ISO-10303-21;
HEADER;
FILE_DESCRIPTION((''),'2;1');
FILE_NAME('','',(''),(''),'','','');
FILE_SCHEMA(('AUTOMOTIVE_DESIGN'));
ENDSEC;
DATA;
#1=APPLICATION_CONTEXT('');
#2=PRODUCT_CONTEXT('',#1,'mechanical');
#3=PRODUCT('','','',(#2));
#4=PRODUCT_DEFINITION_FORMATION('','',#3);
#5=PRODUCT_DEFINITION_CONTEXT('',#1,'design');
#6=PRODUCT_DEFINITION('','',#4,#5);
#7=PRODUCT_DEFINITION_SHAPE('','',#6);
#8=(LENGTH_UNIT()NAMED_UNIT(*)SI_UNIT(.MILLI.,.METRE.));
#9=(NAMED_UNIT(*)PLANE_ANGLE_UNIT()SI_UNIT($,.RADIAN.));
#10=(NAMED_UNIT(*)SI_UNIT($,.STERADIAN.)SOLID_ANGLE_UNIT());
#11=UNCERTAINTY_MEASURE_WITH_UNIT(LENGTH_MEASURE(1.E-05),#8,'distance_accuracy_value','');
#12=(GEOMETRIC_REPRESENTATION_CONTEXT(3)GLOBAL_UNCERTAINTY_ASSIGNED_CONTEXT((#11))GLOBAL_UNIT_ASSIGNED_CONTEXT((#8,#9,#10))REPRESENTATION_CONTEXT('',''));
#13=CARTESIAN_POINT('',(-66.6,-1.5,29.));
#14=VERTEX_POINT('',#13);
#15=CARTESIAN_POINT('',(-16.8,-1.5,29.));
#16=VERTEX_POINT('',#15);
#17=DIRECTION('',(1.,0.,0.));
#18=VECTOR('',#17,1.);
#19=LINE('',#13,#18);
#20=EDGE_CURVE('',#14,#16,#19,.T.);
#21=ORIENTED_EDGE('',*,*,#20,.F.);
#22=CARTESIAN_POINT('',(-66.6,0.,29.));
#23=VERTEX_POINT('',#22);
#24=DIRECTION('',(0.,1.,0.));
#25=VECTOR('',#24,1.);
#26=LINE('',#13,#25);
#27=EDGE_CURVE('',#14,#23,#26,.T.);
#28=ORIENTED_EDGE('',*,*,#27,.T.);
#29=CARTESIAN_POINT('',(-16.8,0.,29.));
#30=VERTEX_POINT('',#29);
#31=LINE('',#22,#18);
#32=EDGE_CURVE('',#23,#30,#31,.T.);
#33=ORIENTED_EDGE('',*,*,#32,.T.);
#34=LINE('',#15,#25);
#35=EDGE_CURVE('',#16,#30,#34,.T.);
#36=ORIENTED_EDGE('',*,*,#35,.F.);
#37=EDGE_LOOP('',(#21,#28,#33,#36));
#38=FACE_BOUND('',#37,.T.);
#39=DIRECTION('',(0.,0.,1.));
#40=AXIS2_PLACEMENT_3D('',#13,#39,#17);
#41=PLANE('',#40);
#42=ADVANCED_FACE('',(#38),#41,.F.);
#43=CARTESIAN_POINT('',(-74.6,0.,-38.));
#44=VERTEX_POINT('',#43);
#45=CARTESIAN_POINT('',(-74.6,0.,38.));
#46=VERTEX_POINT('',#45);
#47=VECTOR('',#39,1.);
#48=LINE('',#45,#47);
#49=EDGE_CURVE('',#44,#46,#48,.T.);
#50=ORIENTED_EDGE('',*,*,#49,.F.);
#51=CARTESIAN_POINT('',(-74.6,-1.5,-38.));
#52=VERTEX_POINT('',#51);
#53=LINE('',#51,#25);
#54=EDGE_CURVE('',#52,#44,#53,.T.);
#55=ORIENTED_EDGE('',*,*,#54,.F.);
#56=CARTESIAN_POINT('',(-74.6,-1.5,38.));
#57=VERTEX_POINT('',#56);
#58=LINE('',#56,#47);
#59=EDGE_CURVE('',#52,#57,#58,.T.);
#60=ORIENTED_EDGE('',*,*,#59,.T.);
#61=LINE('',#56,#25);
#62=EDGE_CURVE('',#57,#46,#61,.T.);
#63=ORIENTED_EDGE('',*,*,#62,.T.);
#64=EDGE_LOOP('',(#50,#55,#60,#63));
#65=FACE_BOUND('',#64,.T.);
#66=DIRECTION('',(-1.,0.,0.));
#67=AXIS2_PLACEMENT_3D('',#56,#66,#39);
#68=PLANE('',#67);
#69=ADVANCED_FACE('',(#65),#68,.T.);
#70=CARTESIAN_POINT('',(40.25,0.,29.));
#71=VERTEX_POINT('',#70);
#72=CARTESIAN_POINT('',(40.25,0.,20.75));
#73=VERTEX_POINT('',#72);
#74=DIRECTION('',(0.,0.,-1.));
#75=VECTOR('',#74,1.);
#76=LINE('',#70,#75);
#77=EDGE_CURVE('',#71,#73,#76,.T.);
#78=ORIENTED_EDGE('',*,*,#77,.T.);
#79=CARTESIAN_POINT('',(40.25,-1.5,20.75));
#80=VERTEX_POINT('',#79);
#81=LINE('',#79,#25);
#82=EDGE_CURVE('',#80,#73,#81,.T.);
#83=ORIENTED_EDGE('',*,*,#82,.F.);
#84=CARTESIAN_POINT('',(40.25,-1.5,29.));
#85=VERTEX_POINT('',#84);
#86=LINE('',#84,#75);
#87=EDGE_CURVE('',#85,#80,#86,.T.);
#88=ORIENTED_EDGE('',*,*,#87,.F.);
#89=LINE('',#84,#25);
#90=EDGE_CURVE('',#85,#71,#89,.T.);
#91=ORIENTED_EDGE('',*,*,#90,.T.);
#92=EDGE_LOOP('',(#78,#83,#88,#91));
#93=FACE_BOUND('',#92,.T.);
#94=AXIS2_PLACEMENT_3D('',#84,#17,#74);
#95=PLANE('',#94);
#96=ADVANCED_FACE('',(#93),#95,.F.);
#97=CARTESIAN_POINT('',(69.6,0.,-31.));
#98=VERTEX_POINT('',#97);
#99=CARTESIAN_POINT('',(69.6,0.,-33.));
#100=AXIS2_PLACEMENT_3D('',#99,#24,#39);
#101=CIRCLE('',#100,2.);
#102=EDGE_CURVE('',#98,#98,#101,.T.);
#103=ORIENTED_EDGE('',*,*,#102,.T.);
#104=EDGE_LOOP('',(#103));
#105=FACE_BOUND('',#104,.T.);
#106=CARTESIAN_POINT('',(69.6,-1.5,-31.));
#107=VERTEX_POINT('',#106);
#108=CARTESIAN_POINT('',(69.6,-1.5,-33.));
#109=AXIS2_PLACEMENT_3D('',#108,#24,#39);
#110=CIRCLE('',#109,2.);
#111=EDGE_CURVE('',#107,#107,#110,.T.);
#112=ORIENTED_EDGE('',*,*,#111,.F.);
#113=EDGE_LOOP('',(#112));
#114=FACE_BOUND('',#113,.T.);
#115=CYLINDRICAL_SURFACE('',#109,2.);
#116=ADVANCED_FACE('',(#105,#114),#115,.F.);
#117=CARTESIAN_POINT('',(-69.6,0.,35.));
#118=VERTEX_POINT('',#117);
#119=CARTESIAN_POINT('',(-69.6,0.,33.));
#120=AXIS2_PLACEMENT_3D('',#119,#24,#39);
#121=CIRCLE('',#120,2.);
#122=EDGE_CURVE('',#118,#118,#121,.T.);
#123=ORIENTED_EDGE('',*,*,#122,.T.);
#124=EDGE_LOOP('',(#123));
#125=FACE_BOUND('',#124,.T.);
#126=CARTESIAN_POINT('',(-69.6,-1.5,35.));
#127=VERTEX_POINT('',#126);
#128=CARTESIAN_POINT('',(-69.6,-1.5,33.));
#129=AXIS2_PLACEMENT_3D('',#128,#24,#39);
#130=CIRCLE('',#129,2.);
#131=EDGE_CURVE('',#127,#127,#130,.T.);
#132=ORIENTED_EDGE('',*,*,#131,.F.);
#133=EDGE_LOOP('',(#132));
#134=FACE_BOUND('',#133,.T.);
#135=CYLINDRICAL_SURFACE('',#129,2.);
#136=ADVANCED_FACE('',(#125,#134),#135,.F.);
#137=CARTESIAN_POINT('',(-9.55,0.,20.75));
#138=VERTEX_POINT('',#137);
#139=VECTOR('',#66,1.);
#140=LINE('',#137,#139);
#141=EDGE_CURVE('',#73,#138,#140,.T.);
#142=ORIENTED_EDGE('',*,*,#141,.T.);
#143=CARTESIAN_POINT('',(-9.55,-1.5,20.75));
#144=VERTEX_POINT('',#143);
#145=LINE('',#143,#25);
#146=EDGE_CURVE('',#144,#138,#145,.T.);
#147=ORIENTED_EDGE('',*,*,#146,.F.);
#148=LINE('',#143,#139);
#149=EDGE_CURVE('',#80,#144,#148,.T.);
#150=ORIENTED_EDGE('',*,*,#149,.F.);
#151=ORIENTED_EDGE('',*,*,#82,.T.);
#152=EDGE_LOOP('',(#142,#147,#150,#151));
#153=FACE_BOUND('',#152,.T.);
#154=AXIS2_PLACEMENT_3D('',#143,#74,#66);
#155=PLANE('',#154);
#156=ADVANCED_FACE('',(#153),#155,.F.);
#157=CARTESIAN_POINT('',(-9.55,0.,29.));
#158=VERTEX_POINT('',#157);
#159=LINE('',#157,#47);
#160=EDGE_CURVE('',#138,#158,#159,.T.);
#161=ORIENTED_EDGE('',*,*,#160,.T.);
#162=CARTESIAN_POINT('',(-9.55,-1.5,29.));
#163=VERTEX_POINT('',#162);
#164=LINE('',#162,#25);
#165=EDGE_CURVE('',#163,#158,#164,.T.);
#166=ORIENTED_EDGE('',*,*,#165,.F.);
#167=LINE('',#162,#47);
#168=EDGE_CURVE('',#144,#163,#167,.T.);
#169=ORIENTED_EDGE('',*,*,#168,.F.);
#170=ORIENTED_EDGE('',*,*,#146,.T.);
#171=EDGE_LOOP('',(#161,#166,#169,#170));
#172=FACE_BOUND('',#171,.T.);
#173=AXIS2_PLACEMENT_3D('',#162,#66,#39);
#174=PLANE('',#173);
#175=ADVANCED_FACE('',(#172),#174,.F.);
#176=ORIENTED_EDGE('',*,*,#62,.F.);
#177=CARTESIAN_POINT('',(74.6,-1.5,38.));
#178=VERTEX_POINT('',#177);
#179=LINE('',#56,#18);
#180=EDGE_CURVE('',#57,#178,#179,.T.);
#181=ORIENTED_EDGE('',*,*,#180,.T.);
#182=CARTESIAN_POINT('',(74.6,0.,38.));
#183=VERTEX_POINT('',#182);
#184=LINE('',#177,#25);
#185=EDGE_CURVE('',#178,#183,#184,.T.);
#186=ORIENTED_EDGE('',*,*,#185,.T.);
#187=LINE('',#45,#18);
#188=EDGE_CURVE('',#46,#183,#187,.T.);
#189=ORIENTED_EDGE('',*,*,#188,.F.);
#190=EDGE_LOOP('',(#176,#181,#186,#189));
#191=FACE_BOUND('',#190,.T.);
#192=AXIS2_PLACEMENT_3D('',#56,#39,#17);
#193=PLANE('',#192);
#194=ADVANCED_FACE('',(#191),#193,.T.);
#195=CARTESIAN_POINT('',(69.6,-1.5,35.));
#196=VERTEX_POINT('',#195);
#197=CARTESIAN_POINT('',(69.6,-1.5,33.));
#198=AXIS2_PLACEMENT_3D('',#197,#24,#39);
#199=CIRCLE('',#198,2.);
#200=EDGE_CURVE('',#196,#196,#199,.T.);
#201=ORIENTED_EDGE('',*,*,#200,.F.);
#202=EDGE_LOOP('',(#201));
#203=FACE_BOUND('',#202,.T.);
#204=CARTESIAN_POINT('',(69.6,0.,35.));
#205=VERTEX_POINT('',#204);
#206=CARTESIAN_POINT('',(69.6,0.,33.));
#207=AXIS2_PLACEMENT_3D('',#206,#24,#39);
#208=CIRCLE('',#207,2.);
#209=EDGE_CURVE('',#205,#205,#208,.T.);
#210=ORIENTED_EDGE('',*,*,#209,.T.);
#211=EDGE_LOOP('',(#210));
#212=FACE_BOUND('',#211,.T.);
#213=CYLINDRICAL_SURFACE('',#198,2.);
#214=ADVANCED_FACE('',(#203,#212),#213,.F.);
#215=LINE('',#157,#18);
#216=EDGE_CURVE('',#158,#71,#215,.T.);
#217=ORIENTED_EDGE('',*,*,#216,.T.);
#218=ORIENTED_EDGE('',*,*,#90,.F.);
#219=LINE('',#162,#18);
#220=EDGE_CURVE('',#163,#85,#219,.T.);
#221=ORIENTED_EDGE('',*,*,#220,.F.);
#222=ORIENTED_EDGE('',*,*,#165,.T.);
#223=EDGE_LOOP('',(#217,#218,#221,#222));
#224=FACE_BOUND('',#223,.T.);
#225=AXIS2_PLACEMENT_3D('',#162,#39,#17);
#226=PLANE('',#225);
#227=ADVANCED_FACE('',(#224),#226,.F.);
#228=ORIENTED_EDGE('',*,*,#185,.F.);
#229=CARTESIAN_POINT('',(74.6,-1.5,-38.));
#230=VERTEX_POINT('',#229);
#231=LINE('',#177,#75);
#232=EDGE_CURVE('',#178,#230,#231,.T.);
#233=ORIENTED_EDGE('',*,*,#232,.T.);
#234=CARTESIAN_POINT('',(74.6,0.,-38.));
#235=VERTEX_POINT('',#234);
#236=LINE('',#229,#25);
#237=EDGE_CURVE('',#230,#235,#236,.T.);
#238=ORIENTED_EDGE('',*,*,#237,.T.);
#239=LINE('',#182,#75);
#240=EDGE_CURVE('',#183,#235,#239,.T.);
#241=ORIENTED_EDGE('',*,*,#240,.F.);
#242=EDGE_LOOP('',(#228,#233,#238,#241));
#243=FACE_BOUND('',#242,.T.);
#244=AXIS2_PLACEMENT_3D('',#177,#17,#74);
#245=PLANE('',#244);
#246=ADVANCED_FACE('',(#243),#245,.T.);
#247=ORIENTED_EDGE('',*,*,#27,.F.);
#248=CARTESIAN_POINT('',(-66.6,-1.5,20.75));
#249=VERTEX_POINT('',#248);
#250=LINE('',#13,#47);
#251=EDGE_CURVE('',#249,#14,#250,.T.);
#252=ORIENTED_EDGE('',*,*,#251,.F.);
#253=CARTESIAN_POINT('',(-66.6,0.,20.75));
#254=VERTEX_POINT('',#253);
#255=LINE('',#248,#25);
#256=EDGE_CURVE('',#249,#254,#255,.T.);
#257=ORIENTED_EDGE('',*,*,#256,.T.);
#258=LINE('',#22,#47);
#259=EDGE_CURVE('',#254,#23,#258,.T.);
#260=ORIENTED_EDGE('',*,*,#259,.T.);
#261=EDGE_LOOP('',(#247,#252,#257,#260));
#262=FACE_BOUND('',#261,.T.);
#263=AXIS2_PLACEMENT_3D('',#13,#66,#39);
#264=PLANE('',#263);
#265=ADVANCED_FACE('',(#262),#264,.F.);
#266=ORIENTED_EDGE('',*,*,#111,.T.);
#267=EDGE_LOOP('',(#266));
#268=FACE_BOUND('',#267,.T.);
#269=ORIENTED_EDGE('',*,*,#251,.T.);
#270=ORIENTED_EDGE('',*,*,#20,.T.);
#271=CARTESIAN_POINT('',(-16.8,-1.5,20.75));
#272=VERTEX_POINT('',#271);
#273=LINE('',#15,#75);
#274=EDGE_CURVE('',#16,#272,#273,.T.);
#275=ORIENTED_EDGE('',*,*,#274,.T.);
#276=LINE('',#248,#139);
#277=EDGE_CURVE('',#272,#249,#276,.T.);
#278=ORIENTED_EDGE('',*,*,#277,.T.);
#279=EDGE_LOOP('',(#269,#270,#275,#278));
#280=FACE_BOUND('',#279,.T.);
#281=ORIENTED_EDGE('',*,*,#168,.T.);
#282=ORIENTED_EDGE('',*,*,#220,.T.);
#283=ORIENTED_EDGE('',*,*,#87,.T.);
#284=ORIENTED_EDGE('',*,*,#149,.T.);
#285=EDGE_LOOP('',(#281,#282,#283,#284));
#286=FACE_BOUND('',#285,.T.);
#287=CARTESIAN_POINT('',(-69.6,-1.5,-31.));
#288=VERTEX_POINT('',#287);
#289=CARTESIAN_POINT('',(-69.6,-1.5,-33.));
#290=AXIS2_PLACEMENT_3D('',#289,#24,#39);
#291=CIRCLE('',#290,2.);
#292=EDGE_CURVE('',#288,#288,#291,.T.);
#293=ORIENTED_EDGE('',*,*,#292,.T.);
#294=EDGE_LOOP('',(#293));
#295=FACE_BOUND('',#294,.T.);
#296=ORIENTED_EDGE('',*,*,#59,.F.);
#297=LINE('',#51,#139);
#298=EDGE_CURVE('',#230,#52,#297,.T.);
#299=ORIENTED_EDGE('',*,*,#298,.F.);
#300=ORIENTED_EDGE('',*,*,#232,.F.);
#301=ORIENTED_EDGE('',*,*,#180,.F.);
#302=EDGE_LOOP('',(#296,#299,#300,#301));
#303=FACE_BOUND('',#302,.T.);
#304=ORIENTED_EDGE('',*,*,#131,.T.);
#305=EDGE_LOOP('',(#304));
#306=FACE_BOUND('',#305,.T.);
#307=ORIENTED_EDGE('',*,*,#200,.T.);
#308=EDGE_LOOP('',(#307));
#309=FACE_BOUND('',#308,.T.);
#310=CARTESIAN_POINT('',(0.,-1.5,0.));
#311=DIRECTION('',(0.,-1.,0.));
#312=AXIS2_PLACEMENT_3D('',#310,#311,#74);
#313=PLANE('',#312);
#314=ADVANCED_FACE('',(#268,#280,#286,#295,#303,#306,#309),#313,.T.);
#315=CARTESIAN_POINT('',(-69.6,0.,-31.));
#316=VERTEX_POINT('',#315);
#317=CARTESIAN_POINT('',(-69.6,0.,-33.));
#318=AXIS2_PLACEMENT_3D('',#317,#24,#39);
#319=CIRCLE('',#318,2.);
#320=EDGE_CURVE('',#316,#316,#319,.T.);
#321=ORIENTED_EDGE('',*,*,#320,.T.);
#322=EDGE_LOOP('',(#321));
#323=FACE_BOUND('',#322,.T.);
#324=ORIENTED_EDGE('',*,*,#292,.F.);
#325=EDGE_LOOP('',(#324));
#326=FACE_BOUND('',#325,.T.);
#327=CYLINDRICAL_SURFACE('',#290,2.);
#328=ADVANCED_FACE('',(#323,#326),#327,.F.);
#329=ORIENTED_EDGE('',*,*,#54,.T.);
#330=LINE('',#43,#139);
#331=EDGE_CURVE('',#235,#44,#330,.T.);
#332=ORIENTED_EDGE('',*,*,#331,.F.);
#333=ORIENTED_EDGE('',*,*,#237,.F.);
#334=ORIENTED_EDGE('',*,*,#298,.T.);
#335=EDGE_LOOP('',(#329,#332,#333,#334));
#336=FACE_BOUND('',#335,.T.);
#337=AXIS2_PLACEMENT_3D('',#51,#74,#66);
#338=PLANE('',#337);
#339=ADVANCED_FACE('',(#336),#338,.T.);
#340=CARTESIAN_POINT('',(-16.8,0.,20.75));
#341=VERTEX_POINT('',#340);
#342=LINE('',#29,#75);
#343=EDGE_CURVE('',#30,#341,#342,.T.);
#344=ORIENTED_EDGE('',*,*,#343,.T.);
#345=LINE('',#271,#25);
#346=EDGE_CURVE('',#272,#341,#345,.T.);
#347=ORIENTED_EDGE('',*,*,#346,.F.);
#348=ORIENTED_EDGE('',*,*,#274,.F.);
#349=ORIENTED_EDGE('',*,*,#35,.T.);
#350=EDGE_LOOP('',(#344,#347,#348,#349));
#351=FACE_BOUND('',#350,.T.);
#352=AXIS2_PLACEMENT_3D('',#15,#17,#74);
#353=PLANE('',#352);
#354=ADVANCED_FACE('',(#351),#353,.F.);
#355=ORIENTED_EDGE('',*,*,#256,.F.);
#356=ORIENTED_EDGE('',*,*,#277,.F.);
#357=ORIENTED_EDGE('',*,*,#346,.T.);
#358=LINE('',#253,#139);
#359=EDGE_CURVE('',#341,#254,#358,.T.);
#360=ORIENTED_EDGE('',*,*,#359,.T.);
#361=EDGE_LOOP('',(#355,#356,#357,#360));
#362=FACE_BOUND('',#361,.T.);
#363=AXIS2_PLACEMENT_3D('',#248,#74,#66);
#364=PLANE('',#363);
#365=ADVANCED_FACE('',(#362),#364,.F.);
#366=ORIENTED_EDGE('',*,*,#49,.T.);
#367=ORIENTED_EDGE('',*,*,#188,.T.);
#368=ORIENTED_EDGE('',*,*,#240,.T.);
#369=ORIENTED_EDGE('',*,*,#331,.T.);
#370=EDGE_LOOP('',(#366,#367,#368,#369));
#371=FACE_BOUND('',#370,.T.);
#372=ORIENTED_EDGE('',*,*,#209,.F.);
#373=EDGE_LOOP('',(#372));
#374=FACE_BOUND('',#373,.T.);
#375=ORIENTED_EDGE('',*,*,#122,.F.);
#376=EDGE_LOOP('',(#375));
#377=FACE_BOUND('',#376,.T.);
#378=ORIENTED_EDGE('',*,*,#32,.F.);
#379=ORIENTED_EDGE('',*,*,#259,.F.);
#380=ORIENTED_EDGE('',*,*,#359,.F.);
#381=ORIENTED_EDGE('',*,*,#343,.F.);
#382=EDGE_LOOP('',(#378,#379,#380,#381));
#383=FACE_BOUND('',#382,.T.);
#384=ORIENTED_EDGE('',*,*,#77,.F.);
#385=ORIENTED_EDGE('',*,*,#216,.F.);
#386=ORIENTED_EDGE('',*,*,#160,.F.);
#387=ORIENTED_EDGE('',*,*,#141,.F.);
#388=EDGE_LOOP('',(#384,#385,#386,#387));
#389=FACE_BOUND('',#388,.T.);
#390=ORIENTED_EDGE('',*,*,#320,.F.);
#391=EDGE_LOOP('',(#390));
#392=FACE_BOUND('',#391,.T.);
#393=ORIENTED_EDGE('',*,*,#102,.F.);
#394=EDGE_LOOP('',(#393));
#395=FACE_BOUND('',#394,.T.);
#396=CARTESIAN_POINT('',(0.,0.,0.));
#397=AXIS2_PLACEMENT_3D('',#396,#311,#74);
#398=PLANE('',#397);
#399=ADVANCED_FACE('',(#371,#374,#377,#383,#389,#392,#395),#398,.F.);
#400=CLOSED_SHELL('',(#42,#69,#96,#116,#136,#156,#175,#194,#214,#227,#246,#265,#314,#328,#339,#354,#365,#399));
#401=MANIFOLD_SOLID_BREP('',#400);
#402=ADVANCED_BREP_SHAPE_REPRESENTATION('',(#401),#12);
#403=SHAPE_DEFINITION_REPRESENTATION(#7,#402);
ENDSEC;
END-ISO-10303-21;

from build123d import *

# Parameters (mm, degrees)
SKETCH1_W           = 149.2
SKETCH1_H           = 76
SKETCH1_R           = 2
SKETCH1_W_2         = 49.8
SKETCH1_H_2         = 8.25
BOSS_EXTRUDE1_DEPTH = 1.5


with BuildPart() as part:
    # Sketch1 → Boss-Extrude1 (new body)
    with BuildSketch(Plane(origin=(0, 0, 0), x_dir=(1, 0, 0), z_dir=(0, 1, 0))):
        Rectangle(SKETCH1_W, SKETCH1_H)
        with Locations(Location((-69.6, 33, 0), (0, 0, 270))):
            Circle(SKETCH1_R, mode=Mode.SUBTRACT)
        with Locations(Location((69.6, 33, 0), (0, 0, 270))):
            Circle(SKETCH1_R, mode=Mode.SUBTRACT)
        with Locations(Location((69.6, -33, 0), (0, 0, 270))):
            Circle(SKETCH1_R, mode=Mode.SUBTRACT)
        with Locations(Location((-69.6, -33, 0), (0, 0, 270))):
            Circle(SKETCH1_R, mode=Mode.SUBTRACT)
        with Locations((-41.7, -24.875)):
            Rectangle(SKETCH1_W_2, SKETCH1_H_2, mode=Mode.SUBTRACT)
        with Locations((15.35, -24.875)):
            Rectangle(SKETCH1_W_2, SKETCH1_H_2, mode=Mode.SUBTRACT)
    extrude(amount=-BOSS_EXTRUDE1_DEPTH)


solid = part.part
